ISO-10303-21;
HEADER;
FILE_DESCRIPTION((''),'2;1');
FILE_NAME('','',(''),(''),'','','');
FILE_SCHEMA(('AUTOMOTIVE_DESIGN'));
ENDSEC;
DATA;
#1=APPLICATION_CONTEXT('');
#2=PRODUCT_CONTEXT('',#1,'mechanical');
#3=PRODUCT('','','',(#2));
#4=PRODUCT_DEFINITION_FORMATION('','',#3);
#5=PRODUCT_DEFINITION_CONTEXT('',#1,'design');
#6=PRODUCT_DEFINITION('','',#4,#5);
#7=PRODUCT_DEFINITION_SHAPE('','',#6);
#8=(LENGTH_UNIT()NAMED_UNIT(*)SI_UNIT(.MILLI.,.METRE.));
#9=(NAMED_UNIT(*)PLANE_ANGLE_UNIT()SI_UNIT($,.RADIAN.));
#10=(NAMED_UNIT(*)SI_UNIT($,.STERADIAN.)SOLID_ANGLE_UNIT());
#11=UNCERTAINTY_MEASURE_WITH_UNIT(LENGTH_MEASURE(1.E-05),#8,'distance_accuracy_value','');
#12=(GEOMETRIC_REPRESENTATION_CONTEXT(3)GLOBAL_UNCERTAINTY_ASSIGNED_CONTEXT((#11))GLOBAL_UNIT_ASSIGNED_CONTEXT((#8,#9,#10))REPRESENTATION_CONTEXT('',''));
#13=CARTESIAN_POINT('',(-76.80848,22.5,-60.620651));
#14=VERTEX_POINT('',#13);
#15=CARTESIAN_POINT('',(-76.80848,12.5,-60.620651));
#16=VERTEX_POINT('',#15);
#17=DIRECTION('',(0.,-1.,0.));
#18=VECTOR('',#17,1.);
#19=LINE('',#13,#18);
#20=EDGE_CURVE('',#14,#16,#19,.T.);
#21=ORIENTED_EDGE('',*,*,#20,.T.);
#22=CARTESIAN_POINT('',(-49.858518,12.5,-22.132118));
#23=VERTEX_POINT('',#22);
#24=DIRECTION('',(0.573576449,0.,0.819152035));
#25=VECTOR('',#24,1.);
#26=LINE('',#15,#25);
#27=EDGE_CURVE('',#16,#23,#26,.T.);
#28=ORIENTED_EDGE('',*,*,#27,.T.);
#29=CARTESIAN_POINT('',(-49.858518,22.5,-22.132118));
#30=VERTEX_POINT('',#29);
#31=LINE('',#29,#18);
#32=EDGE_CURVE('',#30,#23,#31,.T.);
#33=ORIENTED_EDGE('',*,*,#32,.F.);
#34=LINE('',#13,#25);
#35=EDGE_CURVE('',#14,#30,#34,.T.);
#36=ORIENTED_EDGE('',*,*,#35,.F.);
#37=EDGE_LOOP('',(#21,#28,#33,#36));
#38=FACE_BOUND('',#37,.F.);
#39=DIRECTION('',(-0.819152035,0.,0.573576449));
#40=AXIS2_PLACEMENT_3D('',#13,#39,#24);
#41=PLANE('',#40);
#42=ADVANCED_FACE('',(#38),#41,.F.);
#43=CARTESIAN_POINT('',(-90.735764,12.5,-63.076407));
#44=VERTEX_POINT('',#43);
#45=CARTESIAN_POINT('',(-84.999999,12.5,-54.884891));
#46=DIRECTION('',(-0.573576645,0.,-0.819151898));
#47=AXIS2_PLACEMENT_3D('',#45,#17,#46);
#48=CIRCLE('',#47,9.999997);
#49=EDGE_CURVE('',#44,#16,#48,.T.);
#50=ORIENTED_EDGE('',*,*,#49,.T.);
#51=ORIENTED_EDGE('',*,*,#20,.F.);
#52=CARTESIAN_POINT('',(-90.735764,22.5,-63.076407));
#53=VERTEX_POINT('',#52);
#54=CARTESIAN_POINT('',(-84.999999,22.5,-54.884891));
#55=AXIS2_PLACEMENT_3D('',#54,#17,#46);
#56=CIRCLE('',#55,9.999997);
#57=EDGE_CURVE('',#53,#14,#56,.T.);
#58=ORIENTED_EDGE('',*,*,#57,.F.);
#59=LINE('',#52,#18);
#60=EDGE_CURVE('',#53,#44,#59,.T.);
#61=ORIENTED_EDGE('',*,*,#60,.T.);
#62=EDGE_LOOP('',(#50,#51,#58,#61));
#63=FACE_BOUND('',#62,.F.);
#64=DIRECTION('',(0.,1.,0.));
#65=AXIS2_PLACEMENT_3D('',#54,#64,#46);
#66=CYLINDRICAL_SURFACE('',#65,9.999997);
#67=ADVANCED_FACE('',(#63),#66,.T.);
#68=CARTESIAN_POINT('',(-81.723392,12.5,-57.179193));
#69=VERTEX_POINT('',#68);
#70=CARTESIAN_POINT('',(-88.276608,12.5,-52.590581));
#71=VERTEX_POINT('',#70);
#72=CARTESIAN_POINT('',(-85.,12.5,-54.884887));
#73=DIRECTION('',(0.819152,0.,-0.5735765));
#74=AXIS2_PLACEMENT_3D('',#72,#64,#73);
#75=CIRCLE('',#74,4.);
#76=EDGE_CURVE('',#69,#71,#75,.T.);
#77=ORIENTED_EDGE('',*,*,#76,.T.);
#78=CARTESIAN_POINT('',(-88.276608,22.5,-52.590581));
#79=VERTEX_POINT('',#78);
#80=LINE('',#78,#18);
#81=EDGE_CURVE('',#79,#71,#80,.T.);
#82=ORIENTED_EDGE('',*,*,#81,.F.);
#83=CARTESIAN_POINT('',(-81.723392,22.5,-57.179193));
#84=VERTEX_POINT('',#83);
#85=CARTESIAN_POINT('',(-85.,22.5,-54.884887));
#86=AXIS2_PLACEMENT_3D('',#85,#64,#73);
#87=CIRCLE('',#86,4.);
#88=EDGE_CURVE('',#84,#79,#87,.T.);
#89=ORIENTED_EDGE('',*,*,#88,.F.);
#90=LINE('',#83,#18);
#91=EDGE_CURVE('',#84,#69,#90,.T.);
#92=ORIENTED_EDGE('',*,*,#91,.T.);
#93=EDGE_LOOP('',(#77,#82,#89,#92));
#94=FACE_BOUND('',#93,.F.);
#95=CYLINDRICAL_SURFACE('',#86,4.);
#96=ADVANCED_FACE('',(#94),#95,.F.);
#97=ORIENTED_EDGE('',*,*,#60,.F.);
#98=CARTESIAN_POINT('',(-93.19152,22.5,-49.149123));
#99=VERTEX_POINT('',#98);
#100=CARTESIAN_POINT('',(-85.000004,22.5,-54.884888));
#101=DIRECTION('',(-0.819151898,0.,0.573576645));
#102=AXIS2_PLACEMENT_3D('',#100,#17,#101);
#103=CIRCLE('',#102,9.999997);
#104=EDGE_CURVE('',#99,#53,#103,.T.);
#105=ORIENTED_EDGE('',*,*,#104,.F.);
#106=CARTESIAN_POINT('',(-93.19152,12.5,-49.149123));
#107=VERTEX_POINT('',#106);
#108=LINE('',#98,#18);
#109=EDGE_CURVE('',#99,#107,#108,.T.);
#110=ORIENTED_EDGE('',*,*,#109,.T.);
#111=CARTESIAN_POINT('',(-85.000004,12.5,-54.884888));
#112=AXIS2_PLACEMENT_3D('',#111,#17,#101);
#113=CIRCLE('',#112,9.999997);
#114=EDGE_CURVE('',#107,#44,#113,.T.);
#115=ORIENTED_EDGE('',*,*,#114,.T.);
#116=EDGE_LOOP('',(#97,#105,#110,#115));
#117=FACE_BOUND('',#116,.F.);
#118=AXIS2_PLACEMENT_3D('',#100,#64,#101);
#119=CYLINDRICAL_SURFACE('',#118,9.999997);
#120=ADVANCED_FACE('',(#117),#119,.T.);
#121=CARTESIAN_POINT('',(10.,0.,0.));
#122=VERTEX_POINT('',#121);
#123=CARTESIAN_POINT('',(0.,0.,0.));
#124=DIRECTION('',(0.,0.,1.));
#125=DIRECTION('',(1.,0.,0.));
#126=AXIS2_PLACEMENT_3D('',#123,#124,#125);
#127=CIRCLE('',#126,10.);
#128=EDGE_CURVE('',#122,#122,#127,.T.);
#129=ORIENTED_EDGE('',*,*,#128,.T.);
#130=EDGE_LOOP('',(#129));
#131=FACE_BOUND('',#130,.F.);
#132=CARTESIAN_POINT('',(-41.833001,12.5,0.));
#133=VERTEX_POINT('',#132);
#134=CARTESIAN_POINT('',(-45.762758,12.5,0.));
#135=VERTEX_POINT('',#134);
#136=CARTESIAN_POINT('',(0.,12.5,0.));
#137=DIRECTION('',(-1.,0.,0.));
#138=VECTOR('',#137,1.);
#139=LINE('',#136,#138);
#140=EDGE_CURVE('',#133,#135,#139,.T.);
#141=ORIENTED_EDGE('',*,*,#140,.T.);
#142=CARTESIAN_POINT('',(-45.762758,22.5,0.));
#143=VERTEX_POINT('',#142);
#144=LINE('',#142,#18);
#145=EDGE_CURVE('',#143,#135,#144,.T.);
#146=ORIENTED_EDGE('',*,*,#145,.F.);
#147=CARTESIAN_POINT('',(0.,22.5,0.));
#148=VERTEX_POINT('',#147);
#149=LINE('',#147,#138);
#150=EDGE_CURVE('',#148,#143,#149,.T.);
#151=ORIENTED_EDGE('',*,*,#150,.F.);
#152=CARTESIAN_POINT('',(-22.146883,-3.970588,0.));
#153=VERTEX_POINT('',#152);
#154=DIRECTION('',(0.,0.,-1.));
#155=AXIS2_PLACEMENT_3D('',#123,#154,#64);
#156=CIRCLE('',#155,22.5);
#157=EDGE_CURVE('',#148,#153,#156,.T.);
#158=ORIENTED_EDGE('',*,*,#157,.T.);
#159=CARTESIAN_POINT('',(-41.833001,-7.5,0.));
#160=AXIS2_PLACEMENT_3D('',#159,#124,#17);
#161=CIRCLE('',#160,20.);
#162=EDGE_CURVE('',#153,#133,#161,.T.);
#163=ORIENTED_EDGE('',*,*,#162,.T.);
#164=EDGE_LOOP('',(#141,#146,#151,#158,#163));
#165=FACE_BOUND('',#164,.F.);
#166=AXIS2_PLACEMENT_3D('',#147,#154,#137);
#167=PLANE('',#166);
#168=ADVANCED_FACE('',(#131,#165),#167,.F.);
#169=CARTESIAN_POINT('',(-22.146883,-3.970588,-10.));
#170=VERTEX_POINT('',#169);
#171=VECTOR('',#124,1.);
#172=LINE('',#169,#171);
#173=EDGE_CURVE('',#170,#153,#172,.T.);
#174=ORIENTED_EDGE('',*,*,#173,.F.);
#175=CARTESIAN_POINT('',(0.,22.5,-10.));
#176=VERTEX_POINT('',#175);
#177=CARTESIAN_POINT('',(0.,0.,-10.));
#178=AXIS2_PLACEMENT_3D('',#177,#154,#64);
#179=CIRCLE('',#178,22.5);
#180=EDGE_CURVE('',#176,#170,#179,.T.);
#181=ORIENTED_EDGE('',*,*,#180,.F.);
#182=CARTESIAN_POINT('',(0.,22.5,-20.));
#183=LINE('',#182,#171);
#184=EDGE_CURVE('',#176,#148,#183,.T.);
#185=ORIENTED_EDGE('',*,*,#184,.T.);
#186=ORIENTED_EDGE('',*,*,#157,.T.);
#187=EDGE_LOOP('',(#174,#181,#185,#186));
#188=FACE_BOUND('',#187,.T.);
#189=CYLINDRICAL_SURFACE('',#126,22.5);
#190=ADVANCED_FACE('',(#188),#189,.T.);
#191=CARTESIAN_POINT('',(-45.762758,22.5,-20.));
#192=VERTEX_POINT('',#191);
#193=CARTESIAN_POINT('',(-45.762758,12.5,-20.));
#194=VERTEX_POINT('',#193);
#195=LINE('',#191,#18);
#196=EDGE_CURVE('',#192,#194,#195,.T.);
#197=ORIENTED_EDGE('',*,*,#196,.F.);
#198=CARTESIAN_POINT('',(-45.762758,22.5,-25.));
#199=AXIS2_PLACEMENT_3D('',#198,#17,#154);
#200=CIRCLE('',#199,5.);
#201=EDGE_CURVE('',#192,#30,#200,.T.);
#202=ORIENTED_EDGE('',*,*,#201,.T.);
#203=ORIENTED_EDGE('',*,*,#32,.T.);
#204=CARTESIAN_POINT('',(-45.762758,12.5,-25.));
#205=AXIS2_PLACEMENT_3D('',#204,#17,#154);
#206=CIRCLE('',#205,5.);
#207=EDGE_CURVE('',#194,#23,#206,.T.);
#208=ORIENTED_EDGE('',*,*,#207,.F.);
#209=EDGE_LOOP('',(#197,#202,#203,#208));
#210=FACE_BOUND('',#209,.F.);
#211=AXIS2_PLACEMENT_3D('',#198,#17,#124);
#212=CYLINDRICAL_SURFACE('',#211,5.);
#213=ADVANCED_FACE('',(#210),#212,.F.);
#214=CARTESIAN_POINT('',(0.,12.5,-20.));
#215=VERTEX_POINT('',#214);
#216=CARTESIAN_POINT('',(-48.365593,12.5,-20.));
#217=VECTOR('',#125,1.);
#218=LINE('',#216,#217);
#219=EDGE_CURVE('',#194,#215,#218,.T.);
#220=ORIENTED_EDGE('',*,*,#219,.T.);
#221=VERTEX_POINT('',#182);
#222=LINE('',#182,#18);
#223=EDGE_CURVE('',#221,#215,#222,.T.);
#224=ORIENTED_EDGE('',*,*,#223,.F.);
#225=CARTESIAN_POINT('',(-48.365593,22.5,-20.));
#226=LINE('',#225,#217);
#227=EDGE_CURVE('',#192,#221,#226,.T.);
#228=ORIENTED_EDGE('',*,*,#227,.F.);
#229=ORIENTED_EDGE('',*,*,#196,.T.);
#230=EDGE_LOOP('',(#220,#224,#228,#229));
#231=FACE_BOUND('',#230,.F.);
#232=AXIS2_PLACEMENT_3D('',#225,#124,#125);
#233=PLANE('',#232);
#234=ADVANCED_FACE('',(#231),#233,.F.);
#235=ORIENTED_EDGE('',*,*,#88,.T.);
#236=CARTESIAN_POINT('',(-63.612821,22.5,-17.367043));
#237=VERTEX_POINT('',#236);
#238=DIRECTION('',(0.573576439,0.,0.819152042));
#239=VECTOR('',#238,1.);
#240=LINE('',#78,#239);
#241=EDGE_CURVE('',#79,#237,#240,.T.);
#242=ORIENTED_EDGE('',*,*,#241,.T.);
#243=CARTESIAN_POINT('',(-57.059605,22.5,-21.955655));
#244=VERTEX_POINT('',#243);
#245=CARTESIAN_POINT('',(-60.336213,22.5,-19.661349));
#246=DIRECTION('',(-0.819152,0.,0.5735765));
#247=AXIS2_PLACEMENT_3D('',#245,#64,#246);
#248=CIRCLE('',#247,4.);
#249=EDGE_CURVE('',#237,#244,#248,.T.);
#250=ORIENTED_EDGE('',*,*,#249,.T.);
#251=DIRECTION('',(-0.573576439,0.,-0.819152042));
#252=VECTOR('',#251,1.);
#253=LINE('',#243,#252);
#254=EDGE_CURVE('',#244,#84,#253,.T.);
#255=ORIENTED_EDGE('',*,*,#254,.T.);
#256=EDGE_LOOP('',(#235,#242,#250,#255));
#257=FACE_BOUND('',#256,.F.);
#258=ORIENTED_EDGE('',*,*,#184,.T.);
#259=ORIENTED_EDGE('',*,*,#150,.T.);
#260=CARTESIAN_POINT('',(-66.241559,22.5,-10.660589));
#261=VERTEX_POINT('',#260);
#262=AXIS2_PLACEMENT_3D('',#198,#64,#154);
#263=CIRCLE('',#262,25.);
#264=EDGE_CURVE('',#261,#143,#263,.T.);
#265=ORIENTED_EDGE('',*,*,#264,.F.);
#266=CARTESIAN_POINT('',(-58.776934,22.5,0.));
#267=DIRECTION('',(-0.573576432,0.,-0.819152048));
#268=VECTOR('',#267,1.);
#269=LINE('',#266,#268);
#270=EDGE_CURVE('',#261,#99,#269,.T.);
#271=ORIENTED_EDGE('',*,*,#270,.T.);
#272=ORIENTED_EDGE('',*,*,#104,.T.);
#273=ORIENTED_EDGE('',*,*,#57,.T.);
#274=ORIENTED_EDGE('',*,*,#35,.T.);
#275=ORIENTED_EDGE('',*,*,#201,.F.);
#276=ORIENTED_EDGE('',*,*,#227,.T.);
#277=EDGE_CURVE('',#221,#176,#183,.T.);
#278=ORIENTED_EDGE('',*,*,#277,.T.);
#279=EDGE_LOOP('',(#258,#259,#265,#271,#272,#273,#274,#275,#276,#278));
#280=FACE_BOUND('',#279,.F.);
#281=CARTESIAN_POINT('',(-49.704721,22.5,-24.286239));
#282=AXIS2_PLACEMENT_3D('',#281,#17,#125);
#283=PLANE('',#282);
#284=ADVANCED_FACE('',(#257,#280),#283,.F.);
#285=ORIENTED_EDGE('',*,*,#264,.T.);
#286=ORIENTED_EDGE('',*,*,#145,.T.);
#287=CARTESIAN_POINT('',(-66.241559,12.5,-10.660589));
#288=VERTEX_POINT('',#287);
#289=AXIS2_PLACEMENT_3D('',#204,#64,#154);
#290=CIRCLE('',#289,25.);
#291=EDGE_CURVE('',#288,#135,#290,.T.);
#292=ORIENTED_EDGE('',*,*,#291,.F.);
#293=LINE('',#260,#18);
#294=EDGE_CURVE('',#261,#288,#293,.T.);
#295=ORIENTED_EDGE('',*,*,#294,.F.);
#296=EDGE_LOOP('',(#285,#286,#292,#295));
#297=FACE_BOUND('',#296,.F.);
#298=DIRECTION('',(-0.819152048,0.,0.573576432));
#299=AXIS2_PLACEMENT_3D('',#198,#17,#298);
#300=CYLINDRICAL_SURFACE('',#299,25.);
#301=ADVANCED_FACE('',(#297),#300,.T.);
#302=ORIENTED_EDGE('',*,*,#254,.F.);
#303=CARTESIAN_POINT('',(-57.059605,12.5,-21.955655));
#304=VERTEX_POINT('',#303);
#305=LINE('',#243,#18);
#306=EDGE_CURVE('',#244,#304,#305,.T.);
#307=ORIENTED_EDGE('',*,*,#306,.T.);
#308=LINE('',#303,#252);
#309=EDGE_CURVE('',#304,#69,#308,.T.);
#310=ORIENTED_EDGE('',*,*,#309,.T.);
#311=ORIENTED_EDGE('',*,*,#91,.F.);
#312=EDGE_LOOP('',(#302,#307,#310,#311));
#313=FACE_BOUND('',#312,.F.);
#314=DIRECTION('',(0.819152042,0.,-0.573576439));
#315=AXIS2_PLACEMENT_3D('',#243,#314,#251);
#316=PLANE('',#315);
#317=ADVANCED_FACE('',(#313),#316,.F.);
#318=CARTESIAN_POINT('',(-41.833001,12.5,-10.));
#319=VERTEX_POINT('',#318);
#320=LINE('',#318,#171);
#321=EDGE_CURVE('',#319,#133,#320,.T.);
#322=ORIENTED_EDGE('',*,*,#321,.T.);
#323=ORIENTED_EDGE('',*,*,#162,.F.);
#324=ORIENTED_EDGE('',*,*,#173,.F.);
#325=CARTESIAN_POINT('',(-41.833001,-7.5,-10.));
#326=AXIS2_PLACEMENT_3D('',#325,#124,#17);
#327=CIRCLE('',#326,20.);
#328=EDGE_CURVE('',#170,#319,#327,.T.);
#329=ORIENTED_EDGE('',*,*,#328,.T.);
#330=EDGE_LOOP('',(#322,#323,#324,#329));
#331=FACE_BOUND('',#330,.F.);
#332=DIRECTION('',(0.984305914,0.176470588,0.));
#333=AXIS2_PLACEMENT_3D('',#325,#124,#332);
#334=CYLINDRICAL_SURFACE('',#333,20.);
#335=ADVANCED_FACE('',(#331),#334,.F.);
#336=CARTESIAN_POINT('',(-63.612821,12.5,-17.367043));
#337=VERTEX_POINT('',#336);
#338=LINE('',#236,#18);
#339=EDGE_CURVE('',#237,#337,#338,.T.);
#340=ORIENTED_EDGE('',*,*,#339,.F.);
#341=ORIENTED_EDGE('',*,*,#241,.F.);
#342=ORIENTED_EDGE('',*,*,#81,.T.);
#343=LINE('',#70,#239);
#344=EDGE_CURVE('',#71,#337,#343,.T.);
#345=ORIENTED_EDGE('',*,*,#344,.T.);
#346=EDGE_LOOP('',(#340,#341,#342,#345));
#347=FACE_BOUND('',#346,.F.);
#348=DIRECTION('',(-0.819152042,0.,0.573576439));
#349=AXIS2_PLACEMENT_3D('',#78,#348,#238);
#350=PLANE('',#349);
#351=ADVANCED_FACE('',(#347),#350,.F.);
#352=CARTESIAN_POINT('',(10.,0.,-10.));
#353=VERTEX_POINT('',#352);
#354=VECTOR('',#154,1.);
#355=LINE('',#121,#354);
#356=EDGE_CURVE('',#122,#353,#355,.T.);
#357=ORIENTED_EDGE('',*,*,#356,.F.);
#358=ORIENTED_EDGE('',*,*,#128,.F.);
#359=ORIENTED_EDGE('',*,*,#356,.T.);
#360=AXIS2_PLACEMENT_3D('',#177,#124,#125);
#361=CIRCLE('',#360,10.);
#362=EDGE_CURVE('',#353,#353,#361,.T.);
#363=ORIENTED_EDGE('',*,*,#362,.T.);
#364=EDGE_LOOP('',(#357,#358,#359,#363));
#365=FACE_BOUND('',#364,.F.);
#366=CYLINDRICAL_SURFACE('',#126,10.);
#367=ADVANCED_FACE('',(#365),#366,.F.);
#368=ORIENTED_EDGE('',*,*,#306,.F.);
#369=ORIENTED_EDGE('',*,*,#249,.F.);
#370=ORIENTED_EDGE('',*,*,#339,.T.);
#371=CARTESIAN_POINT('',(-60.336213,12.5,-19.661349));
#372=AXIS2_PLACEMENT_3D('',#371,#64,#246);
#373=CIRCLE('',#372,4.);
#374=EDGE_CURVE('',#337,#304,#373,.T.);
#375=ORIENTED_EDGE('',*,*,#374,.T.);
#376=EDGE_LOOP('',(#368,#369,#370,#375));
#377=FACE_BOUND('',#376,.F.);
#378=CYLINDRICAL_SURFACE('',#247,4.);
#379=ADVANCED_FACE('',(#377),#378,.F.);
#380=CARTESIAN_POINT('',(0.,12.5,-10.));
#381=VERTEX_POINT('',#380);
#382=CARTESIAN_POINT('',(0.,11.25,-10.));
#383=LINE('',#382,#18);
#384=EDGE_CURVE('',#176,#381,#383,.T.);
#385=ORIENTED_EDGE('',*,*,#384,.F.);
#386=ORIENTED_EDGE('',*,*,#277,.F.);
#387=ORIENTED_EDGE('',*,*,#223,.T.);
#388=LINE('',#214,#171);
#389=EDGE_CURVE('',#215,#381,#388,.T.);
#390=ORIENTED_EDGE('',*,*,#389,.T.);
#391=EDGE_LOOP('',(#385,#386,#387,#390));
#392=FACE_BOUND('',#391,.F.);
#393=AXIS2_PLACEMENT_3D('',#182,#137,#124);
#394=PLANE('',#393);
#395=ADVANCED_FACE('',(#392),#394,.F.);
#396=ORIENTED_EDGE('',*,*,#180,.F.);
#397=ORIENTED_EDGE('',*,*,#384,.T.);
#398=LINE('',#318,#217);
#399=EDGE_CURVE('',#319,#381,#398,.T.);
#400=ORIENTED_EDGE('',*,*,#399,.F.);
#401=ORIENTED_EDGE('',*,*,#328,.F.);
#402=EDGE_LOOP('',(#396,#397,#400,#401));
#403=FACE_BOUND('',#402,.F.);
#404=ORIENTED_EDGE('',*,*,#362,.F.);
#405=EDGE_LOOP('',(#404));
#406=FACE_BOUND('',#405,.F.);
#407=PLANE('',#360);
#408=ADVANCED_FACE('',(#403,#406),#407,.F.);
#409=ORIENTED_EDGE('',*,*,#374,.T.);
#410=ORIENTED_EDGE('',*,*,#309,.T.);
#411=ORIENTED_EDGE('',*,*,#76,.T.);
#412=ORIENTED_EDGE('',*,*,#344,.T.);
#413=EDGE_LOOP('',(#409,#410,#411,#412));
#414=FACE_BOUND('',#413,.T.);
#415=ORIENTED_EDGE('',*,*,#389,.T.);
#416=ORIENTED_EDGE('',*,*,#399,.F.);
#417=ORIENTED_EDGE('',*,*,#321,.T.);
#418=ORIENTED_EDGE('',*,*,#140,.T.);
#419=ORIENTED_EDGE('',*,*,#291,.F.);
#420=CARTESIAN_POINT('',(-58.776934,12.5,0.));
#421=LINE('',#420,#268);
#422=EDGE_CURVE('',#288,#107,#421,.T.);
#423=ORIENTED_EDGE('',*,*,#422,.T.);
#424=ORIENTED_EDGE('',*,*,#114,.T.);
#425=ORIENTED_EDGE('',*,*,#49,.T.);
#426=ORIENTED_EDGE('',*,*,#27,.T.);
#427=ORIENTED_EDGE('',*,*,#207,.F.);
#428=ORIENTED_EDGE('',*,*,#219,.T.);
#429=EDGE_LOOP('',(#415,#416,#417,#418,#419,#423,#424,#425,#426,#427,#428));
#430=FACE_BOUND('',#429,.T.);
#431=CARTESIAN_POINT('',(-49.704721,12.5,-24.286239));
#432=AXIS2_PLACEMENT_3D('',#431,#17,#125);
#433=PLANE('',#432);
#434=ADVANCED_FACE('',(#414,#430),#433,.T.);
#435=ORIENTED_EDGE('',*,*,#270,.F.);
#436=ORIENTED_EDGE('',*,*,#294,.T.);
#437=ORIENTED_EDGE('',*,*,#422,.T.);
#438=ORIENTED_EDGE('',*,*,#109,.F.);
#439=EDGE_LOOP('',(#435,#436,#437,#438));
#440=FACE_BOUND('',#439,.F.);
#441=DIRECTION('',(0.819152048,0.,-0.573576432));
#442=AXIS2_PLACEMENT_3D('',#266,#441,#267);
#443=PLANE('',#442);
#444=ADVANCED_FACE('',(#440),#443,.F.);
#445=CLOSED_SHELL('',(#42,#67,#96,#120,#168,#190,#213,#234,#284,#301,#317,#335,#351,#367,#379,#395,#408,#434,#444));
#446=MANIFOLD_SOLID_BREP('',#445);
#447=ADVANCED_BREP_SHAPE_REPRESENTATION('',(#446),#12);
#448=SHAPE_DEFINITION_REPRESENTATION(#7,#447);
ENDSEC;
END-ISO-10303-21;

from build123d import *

# Parameters (mm, degrees)
F0_R     = 22.5
F0_R_2   = 10
F1_DEPTH = 10
F4_DEPTH = 10
F5_R     = 25
F6_R     = 5
F7_R     = 20


with BuildPart() as f1:
    # F0 (on Top) → F1 (new body)
    with BuildSketch(Plane.XY):
        Circle(F0_R)
        Circle(F0_R_2, mode=Mode.SUBTRACT)
    extrude(amount=-F1_DEPTH)

    # F3 (on offset) → F4 (join)
    with BuildSketch(Plane.XZ.offset(-22.5)):
        with BuildLine():
            Line((0, -20), (0, 0))
            Line((0, 0), (-58.776934, 0))
            Line((-58.776934, 0), (-93.19152, -49.149123))
            ThreePointArc((-93.19152, -49.149123), (-94.848078, -56.621369), (-90.735764, -63.076407))
            ThreePointArc((-90.735764, -63.076407), (-83.263518, -64.732965), (-76.80848, -60.620651))
            Line((-76.80848, -60.620651), (-48.365593, -20))
            Line((-48.365593, -20), (0, -20))
        make_face()
        with BuildLine():
            Line((-57.059605, -21.955655), (-81.723392, -57.179193))
            ThreePointArc((-81.723392, -57.179193), (-87.294306, -58.161495), (-88.276608, -52.590581))
            Line((-88.276608, -52.590581), (-63.612821, -17.367043))
            ThreePointArc((-63.612821, -17.367043), (-58.041907, -16.384741), (-57.059605, -21.955655))
        make_face(mode=Mode.SUBTRACT)
    extrude(amount=F4_DEPTH)

    # F5
    f5_edges = [f1.edges().sort_by_distance(p)[0] for p in [
        (-58.776934, 17.5, 0),
    ]]
    fillet(f5_edges, radius=F5_R)

    # F6
    f6_edges = [f1.edges().sort_by_distance(p)[0] for p in [
        (-48.365593, 17.5, -20),
    ]]
    fillet(f6_edges, radius=F6_R)

    # F7
    f7_edges = [f1.edges().sort_by_distance(p)[0] for p in [
        (-18.708287, 12.5, -5),
    ]]
    fillet(f7_edges, radius=F7_R)


solid = f1.part
